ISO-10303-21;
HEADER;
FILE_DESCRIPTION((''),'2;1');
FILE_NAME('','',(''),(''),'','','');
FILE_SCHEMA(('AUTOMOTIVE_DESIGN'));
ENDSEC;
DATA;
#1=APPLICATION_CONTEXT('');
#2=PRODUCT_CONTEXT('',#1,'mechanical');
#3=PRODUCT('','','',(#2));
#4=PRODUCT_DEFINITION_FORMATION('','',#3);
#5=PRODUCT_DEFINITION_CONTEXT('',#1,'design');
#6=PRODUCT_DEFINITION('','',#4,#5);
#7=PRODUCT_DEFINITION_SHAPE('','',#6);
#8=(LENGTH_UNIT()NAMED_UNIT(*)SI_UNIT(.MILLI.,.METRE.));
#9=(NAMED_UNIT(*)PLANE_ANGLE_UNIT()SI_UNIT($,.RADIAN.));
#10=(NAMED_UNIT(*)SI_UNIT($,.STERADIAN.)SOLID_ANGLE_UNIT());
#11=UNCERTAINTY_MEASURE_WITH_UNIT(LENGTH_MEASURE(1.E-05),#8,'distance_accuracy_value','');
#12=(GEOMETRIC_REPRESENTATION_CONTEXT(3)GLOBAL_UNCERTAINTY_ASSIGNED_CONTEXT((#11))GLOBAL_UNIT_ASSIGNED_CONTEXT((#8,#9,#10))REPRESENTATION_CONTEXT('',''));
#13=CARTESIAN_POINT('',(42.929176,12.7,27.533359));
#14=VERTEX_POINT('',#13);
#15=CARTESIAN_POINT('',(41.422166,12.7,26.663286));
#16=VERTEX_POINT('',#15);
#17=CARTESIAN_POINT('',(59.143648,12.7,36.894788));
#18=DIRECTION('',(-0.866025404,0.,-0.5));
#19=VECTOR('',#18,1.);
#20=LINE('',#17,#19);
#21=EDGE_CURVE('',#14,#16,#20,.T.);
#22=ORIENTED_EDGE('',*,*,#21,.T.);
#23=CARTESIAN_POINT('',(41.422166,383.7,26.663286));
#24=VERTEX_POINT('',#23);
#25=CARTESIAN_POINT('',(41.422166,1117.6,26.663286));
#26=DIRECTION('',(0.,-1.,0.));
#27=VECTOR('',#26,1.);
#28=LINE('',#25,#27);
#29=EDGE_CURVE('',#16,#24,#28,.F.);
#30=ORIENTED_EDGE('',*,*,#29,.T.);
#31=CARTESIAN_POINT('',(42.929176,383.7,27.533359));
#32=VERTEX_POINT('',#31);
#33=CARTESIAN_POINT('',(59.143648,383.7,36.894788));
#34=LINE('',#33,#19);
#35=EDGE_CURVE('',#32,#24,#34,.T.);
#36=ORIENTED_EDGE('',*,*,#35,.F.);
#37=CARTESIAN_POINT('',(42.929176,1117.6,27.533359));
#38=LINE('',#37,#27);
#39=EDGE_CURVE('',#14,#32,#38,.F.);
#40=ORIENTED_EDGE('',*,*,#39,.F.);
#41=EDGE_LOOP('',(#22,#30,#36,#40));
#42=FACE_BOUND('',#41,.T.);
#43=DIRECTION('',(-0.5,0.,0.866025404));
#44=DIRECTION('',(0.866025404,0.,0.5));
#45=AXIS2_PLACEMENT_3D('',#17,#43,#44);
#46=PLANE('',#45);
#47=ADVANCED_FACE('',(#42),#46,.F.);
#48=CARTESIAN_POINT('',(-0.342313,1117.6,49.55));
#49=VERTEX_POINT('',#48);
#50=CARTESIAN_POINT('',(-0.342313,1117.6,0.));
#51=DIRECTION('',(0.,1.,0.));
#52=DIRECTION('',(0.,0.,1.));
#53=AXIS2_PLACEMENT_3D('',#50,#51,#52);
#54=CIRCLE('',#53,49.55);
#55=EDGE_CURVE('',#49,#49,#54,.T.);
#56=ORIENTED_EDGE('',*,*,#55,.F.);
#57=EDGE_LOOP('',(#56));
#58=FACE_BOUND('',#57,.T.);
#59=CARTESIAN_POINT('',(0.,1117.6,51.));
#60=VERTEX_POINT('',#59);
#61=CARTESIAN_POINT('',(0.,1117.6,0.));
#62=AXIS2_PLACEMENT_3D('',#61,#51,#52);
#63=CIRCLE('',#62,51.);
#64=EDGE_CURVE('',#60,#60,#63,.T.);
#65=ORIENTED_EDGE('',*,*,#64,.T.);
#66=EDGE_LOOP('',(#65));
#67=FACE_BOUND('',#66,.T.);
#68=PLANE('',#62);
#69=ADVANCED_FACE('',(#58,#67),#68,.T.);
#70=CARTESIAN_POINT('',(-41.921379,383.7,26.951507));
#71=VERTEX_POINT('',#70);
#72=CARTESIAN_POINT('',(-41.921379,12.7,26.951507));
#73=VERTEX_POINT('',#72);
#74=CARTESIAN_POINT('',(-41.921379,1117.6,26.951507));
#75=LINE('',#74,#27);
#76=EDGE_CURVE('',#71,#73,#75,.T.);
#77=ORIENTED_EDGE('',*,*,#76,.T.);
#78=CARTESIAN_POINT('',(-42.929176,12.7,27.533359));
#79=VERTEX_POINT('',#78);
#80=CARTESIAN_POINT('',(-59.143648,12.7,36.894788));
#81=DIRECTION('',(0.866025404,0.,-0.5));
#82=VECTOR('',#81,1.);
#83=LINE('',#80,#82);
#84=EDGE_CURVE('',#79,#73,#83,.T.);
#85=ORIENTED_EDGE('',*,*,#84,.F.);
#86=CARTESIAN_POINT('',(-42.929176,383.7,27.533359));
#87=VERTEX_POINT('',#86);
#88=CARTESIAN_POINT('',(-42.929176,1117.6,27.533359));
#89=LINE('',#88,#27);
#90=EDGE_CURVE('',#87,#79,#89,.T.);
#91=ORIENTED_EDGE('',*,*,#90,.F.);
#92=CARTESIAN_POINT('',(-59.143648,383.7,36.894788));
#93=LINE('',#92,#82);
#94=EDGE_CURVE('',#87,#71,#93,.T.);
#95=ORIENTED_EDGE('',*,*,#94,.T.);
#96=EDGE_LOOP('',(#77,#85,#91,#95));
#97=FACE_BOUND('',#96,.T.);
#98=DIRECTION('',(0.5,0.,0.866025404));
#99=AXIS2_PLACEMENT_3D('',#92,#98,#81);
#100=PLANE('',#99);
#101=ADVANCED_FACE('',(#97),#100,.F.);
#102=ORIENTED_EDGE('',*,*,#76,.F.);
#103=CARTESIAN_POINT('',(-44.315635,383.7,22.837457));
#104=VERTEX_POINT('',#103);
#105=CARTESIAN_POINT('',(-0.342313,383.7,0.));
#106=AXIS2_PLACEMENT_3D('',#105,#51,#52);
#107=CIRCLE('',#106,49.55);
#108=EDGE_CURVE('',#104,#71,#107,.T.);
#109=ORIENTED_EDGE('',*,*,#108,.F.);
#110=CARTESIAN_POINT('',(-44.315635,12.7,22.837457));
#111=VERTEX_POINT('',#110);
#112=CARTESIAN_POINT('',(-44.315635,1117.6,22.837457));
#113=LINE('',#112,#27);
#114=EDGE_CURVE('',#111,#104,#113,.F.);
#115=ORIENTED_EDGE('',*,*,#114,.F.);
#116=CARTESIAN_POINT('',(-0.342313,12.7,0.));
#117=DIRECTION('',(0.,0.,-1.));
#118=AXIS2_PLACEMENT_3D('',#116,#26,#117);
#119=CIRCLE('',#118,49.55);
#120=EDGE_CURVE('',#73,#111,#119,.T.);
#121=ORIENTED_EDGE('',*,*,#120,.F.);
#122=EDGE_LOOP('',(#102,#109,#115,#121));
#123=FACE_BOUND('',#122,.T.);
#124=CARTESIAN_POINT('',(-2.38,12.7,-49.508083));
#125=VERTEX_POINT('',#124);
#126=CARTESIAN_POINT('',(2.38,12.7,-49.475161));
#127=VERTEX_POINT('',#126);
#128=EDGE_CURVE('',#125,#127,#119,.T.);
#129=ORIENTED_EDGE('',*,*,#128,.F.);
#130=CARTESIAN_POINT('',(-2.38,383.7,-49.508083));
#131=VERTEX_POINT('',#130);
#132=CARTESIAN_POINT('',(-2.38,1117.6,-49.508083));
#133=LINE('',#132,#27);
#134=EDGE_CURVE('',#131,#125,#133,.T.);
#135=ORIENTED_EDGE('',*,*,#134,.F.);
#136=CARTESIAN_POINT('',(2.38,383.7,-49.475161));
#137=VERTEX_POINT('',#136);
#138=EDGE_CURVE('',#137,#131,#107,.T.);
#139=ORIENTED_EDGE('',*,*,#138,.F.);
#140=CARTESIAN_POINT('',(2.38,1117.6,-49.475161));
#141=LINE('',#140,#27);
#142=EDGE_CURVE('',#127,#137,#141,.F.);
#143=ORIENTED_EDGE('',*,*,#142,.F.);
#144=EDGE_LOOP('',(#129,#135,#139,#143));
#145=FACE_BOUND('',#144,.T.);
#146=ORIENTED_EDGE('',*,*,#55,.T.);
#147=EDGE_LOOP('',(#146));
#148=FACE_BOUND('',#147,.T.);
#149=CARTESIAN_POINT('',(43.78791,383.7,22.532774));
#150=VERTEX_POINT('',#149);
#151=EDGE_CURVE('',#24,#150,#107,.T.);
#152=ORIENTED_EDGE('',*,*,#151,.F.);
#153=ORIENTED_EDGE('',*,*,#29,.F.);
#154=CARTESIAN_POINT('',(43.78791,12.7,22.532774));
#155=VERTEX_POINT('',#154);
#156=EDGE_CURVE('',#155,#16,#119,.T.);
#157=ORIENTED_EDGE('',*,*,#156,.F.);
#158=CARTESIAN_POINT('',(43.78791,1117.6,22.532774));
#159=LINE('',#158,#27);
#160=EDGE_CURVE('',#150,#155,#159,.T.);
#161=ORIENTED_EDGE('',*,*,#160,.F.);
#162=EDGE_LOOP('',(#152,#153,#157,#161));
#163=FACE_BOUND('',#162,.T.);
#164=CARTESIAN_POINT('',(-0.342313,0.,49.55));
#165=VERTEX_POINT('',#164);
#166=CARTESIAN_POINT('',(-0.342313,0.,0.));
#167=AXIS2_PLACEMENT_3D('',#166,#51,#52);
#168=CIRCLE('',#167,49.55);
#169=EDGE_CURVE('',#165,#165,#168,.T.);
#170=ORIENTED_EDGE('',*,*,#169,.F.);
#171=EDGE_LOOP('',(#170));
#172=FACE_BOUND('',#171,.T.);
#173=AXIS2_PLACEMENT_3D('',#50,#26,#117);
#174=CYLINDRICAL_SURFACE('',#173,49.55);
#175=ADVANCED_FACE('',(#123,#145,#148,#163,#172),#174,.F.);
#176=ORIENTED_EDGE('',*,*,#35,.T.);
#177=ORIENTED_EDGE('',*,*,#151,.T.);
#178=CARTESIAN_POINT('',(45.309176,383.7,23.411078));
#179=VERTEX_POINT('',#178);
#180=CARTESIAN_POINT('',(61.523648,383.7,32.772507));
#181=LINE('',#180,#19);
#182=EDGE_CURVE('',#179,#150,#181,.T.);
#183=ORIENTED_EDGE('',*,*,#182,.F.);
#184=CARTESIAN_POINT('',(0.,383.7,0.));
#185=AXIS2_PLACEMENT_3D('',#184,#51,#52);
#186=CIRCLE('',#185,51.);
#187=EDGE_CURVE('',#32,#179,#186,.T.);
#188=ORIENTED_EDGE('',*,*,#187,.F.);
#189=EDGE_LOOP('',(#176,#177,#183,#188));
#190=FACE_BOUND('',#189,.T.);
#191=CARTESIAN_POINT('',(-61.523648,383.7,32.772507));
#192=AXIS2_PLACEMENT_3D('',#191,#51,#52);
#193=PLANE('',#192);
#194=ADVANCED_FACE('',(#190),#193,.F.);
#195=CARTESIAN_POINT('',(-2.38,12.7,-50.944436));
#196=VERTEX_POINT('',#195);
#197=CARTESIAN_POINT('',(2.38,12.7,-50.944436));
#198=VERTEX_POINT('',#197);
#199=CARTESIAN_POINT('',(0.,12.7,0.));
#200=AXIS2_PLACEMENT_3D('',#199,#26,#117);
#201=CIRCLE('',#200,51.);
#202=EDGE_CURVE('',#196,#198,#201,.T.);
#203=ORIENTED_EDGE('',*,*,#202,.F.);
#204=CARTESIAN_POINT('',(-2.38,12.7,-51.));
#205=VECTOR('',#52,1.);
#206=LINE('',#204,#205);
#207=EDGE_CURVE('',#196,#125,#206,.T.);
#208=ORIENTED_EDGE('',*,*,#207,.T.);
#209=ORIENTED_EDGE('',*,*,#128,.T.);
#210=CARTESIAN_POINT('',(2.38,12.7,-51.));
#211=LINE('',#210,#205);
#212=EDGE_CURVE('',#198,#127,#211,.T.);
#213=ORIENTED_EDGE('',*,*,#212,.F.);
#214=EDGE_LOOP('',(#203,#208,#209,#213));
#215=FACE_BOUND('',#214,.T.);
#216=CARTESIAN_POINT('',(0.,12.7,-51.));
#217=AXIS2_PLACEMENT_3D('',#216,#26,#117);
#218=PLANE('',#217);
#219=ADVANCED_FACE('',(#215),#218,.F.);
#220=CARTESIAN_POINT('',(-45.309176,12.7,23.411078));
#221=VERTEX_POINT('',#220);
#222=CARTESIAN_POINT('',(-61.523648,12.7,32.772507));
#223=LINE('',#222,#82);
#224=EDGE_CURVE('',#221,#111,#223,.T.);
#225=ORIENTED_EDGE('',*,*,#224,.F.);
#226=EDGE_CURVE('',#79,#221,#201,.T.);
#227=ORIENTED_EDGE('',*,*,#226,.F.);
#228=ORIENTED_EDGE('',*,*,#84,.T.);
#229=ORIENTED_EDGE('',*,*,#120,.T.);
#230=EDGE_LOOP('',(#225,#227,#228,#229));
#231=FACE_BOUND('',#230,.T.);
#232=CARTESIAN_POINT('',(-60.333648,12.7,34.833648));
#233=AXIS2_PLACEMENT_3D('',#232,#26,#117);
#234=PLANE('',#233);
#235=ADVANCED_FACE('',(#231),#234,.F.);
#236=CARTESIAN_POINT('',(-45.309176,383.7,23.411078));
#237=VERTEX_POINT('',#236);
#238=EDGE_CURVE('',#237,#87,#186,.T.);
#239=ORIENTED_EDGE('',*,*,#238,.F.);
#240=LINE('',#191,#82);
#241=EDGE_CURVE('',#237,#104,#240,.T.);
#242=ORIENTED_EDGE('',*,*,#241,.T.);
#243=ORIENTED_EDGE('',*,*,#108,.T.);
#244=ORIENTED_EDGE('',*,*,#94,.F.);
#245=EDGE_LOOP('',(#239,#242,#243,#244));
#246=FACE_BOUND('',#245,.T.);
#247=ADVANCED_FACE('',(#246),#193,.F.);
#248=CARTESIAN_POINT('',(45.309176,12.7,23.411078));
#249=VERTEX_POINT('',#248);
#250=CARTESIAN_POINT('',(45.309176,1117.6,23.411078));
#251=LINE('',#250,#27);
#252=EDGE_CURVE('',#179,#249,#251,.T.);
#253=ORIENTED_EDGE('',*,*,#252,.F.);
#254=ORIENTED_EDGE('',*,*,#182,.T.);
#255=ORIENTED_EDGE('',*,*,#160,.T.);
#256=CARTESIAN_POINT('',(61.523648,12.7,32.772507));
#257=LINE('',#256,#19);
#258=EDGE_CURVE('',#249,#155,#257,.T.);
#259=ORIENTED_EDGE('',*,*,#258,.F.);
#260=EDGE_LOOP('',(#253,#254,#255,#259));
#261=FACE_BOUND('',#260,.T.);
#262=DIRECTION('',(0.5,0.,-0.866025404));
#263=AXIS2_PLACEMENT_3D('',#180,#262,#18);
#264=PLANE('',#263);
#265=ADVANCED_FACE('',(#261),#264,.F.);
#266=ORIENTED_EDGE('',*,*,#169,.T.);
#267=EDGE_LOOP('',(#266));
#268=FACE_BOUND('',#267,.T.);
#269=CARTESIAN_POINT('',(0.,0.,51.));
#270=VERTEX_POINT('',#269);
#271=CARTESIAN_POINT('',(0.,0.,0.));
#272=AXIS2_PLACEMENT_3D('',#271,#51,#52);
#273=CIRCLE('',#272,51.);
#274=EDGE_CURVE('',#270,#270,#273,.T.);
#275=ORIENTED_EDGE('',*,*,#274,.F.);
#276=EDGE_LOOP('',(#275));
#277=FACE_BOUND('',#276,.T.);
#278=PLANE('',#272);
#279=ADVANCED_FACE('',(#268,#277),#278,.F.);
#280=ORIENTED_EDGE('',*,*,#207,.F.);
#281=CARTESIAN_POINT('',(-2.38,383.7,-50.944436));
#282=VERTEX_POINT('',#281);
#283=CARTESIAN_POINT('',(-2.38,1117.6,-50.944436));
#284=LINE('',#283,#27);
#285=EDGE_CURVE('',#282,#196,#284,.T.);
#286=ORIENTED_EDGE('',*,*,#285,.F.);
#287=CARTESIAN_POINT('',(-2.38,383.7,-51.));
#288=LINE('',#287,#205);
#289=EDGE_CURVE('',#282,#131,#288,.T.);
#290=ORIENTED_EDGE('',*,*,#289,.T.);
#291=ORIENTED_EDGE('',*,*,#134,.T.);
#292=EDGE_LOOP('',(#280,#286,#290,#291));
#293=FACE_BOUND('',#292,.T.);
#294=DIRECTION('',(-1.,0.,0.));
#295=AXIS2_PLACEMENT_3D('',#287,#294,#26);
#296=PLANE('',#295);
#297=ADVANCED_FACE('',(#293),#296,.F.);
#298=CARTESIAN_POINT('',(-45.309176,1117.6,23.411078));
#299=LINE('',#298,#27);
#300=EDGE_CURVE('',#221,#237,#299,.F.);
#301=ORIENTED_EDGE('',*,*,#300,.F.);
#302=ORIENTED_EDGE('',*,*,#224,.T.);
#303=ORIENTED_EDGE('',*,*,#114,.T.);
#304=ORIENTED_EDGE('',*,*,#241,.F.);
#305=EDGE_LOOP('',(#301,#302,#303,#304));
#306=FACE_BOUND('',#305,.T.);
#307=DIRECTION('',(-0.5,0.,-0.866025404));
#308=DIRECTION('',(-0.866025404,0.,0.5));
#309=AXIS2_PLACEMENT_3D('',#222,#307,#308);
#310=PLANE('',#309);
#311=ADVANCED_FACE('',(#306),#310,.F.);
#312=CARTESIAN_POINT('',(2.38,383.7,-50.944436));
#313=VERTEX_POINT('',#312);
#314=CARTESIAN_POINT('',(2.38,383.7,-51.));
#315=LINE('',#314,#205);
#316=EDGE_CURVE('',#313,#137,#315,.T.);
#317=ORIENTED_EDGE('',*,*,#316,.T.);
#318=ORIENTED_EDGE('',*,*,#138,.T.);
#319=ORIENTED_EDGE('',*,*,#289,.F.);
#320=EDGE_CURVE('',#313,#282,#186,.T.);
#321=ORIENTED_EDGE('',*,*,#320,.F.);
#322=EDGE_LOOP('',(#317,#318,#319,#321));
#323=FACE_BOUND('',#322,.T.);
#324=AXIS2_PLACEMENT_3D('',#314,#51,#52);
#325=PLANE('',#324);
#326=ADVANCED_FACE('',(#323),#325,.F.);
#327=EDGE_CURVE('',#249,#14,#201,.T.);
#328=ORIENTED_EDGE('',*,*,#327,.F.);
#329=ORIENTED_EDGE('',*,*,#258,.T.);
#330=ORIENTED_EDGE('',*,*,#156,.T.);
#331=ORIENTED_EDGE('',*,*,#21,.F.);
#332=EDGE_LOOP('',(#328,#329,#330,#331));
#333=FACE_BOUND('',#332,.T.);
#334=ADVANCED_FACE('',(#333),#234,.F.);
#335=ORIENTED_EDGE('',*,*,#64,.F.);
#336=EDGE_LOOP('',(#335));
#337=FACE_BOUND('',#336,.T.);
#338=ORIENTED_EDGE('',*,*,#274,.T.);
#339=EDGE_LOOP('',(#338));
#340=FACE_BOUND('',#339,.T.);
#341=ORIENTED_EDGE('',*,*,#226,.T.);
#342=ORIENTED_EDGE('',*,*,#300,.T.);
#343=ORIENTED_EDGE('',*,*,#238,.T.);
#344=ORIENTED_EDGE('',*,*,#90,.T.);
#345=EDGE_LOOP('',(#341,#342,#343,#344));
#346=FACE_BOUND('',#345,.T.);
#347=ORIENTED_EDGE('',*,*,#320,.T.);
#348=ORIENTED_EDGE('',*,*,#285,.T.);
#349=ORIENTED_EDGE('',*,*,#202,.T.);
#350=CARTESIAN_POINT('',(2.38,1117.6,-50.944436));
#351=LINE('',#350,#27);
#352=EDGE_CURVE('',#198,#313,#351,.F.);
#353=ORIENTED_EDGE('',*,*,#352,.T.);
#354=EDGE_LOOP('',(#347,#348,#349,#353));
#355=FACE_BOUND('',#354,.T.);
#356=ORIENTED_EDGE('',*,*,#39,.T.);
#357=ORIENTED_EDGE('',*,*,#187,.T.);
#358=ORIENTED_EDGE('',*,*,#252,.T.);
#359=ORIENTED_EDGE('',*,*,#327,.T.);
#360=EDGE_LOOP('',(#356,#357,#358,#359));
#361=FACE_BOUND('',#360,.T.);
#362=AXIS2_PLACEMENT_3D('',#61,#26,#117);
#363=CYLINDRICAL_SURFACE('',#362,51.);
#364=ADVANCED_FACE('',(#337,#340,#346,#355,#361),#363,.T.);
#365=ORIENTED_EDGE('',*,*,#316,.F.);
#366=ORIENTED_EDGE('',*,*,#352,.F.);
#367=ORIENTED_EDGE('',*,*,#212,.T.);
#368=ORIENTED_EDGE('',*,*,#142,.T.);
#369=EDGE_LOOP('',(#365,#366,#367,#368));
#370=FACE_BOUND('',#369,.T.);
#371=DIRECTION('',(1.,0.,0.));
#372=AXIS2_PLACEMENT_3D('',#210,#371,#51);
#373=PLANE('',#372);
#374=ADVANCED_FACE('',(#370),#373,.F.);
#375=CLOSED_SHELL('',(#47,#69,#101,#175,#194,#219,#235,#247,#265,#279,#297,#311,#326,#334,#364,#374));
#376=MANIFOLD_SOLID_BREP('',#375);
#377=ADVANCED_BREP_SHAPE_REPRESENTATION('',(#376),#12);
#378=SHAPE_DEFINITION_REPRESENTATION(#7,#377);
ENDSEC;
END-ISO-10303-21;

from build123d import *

# Parameters (mm, degrees)
SKETCH1_R           = 51
SKETCH1_R_2         = 49.55
BOSS_EXTRUDE1_DEPTH = 1117.6
CUT_EXTRUDE1_DEPTH  = 52
CIRPATTERN1_COUNT   = 3


with BuildPart() as part:
    # Sketch1 → Boss-Extrude1 (new body)
    with BuildSketch(Plane(origin=(0, 0, 0), x_dir=(1, 0, 0), z_dir=(0, 1, 0))):
        Circle(SKETCH1_R)
        with Locations((-0.342312985, 0)):
            Circle(SKETCH1_R_2, mode=Mode.SUBTRACT)
    extrude(amount=BOSS_EXTRUDE1_DEPTH)

    # Sketch2 → Cut-Extrude1 (cut, through all)
    with BuildSketch(Plane.XY):
        Polygon((0, 12.7), (2.38, 12.7), (2.38, 383.7), (-2.38, 383.7), (-2.38, 12.7), align=None)
    cut_extrude1 = extrude(amount=-CUT_EXTRUDE1_DEPTH, mode=Mode.SUBTRACT)

    # CirPattern1: Cut-Extrude1 ×3 about axis
    cirpattern1_axis = Axis((0, 0, 0), (0, 1, 0))
    for i in range(1, CIRPATTERN1_COUNT):
        add(cut_extrude1.rotate(cirpattern1_axis, i * 360 / CIRPATTERN1_COUNT), mode=Mode.SUBTRACT)


solid = part.part
